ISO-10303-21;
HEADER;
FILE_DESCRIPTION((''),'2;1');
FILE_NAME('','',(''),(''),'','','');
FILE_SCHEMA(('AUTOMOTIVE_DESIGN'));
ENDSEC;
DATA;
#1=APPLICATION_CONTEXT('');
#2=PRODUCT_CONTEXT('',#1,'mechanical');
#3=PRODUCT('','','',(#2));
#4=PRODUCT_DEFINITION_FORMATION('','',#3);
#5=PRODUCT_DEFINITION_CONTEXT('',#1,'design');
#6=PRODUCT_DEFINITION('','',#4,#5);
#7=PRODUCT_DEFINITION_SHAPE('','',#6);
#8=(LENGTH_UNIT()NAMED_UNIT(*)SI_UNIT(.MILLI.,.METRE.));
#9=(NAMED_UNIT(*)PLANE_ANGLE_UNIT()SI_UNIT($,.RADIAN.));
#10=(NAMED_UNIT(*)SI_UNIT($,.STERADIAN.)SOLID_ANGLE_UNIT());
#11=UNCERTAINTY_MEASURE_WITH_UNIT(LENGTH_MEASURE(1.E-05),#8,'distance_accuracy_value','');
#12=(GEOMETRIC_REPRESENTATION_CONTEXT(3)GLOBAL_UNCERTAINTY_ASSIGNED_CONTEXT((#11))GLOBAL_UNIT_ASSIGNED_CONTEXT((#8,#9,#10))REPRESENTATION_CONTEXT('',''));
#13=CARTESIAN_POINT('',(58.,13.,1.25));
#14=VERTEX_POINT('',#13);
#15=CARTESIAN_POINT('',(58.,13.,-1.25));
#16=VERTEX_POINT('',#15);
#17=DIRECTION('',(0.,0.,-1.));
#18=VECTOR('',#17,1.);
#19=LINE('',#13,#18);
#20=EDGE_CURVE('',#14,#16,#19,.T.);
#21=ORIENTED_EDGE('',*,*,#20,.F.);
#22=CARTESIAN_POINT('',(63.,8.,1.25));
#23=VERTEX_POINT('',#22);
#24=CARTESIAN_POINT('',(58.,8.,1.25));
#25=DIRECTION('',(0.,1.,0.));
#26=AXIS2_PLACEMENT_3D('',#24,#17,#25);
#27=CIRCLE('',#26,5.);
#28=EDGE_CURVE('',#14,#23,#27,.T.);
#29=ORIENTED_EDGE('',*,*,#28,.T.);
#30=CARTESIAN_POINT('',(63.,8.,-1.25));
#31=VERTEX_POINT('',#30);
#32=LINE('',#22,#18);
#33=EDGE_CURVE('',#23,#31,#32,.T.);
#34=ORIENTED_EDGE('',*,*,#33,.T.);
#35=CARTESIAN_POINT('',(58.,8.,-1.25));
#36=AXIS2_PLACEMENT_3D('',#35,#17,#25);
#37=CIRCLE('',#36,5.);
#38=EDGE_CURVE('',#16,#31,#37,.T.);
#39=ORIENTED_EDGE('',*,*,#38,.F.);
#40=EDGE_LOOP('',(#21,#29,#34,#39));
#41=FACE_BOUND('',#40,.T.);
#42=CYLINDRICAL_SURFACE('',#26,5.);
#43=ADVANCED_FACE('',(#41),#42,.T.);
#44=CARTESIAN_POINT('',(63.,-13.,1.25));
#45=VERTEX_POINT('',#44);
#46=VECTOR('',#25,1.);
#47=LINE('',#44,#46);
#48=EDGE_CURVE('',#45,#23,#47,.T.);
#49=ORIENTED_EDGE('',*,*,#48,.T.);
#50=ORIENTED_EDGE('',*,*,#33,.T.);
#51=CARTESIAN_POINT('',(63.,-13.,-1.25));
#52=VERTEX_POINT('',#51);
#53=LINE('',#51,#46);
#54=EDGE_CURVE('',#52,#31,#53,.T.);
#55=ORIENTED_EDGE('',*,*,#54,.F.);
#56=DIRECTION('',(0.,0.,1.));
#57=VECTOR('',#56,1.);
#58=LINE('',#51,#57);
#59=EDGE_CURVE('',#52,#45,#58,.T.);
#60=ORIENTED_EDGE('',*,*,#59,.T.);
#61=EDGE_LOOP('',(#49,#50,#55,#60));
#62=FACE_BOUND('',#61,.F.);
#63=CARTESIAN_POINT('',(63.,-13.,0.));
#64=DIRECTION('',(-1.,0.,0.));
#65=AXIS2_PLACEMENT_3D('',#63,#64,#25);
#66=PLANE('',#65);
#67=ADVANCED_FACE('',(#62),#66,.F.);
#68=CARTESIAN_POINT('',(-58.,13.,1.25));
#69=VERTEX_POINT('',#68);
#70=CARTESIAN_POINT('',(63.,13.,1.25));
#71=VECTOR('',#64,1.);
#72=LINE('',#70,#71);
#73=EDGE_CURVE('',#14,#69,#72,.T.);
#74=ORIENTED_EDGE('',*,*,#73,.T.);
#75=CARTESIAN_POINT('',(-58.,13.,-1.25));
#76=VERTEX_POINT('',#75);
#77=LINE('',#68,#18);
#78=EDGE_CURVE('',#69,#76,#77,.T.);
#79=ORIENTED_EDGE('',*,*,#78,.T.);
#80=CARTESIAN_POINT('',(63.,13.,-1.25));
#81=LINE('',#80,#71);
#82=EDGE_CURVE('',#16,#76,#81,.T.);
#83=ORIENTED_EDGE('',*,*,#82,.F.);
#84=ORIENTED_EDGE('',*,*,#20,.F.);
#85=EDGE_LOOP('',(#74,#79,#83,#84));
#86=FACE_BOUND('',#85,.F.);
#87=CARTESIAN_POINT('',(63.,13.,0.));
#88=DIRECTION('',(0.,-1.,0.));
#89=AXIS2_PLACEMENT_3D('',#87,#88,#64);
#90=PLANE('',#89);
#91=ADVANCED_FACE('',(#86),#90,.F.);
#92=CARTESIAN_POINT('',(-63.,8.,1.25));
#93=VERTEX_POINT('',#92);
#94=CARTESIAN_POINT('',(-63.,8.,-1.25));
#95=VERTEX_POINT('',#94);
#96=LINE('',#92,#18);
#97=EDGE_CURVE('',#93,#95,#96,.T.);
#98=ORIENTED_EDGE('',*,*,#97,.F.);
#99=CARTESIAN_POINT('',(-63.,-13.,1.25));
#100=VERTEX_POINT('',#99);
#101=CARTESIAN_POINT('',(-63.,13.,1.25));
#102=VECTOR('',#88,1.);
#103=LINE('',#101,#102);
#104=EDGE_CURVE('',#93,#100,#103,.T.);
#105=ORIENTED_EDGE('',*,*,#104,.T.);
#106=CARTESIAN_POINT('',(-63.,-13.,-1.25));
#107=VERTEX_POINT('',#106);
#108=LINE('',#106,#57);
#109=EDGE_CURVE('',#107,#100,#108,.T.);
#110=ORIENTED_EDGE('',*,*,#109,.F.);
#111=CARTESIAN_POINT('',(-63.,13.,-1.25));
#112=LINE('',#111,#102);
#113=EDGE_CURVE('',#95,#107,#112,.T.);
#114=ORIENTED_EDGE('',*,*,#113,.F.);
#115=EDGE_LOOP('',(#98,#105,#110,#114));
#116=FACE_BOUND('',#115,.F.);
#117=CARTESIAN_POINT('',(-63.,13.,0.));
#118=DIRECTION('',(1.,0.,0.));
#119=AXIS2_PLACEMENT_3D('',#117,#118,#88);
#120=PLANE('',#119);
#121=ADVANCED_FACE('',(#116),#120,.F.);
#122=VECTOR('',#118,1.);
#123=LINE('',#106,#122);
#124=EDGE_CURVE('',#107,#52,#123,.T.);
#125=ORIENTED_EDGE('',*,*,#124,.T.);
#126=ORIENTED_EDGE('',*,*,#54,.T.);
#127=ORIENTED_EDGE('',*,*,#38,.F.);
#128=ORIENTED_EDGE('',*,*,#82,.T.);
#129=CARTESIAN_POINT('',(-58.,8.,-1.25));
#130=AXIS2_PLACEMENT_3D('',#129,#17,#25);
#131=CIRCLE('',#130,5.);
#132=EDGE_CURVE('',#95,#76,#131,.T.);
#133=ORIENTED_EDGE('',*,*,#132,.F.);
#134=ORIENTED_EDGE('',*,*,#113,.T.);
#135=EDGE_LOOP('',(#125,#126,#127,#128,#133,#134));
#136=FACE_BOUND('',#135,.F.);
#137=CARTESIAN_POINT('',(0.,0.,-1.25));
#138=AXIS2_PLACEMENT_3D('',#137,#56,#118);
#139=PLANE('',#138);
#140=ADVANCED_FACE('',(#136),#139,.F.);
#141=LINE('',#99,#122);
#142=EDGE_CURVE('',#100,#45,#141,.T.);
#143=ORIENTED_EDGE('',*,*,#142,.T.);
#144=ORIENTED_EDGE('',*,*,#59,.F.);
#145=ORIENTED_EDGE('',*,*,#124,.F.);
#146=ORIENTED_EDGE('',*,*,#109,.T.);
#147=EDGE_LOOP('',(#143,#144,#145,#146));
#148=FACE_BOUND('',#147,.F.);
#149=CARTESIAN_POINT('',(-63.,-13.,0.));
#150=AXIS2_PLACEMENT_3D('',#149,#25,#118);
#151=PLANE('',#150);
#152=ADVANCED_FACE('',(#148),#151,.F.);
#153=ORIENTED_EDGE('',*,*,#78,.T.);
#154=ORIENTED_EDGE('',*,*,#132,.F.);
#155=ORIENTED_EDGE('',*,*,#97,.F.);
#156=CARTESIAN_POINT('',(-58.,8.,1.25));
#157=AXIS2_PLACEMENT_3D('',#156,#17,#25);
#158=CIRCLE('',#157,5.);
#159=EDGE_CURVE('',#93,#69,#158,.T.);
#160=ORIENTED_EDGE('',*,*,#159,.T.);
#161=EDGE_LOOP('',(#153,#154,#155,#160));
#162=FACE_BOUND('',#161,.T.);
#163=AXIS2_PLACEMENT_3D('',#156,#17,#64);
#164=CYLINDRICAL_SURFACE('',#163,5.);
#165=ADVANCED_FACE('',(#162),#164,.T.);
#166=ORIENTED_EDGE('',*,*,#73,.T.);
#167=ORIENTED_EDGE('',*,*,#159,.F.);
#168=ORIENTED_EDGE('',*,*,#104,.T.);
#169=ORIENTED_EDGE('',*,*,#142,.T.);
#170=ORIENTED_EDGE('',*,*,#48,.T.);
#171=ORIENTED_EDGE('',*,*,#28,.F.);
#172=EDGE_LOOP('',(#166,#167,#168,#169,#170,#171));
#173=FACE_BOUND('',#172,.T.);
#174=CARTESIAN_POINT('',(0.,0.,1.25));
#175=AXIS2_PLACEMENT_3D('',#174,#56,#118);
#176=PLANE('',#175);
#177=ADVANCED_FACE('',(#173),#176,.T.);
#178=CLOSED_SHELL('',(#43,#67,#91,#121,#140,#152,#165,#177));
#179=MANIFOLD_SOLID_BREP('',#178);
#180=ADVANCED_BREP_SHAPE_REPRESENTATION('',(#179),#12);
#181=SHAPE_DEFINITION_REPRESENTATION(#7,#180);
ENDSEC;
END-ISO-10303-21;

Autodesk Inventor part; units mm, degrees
ref_plane "YZ Plane" through (0, 0, 0) normal (1, 0, 0) x (0, 1, 0)
ref_plane "XZ Plane" through (0, 0, 0) normal (0, 1, 0) x (-1, 0, 0)
ref_plane "XY Plane" through (0, 0, 0) normal (0, 0, 1) x (1, 0, 0)
sketch "草圖1" plane through (0, 0, 0) normal (0, 0, 1) x (1, 0, 0)
  line L0 (0, 0) -> (-46.9602, 0) construction
  line L1 (0, 0) -> (0, 45.4619) construction
  line L2 (-63, -13) -> (63, -13)
  line L3 (63, -13) -> (63, 13)
  line L4 (63, 13) -> (-63, 13)
  line L5 (-63, 13) -> (-63, -13)
  line L6 (-63, -13) -> (63, 13) construction
  line L7 (63, -13) -> (-63, 13) construction
  dimension "d0" = 26
  dimension "d1" = 126
extrude "擠出1" add sketch "草圖1" along normal mid plane 2.5
fillet "圓角1" radius 5 2 edges at (-63, 13, 0) (63, 13, 0)
properties part number "0 零件" material "橡膠"
